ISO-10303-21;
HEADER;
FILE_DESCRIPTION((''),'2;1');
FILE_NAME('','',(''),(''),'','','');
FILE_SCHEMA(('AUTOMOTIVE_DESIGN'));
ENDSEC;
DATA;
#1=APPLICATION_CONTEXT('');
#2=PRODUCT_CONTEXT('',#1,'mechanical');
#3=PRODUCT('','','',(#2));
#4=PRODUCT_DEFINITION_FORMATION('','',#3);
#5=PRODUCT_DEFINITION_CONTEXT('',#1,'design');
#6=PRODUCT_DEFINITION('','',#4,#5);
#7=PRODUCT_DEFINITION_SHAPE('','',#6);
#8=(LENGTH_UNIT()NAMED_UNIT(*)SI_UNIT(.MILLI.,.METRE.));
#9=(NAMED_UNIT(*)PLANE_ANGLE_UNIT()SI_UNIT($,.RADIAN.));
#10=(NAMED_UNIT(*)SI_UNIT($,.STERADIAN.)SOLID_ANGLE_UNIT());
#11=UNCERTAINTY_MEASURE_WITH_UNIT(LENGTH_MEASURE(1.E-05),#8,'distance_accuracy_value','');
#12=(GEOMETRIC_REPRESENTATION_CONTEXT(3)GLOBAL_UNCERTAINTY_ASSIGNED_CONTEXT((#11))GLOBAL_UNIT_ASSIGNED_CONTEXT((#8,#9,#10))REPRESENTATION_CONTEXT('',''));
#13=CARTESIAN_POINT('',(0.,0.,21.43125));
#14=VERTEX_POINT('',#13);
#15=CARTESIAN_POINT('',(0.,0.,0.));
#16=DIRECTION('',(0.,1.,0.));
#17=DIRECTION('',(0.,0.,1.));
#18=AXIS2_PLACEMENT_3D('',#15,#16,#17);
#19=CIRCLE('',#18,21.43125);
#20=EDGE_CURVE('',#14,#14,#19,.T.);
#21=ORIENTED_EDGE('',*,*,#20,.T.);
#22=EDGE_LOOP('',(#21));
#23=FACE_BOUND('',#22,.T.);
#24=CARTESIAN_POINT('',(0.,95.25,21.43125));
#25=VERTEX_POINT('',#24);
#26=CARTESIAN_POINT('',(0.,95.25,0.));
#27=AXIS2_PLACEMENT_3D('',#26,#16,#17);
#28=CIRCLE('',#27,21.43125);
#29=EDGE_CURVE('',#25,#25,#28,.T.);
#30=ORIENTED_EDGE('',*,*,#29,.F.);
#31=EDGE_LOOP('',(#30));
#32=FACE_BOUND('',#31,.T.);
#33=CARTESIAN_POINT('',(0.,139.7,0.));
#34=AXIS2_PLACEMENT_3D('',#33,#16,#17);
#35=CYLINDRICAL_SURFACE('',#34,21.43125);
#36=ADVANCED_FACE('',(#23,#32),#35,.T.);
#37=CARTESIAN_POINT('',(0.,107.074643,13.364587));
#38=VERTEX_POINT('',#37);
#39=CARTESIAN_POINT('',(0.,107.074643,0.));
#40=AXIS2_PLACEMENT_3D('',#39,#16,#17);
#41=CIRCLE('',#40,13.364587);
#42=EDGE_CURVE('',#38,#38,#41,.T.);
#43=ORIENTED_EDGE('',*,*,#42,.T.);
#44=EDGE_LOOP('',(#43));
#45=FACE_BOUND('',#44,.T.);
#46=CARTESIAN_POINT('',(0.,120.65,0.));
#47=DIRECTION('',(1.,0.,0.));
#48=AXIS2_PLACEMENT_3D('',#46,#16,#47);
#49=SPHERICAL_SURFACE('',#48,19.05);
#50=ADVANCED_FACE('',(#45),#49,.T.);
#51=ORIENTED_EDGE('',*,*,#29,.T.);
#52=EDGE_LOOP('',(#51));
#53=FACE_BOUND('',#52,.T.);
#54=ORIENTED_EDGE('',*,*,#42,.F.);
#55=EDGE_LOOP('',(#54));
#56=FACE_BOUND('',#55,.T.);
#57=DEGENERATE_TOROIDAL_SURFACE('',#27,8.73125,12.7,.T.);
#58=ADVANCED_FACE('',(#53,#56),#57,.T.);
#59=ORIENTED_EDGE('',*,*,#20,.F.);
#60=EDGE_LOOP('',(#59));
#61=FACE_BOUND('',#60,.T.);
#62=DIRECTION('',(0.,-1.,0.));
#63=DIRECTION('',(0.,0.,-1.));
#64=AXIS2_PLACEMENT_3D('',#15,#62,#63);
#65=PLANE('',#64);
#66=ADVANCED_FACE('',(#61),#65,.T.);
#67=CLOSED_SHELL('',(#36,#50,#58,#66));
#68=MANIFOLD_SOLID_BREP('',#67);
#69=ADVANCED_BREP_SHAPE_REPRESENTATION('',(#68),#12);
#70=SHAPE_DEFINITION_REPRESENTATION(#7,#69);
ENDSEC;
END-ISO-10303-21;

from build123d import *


with BuildPart() as part:
    # Sketch1 → Revolve1 (revolve)
    with BuildSketch(Plane.XY):
        with BuildLine():
            Line((0, 0), (-21.43125, 0))
            Line((-21.43125, 0), (-21.43125, 95.25))
            ThreePointArc((-21.43125, 95.25), (-19.222517349, 102.407046138), (-13.3645871, 107.074643222))
            ThreePointArc((-13.3645871, 107.074643222), (-17.628287589, 127.87121712), (0, 139.7))
            Line((0, 139.7), (0, 0))
        make_face()
    revolve(axis=Axis((0, 139.7, 0), (0, -1, 0)))


solid = part.part
